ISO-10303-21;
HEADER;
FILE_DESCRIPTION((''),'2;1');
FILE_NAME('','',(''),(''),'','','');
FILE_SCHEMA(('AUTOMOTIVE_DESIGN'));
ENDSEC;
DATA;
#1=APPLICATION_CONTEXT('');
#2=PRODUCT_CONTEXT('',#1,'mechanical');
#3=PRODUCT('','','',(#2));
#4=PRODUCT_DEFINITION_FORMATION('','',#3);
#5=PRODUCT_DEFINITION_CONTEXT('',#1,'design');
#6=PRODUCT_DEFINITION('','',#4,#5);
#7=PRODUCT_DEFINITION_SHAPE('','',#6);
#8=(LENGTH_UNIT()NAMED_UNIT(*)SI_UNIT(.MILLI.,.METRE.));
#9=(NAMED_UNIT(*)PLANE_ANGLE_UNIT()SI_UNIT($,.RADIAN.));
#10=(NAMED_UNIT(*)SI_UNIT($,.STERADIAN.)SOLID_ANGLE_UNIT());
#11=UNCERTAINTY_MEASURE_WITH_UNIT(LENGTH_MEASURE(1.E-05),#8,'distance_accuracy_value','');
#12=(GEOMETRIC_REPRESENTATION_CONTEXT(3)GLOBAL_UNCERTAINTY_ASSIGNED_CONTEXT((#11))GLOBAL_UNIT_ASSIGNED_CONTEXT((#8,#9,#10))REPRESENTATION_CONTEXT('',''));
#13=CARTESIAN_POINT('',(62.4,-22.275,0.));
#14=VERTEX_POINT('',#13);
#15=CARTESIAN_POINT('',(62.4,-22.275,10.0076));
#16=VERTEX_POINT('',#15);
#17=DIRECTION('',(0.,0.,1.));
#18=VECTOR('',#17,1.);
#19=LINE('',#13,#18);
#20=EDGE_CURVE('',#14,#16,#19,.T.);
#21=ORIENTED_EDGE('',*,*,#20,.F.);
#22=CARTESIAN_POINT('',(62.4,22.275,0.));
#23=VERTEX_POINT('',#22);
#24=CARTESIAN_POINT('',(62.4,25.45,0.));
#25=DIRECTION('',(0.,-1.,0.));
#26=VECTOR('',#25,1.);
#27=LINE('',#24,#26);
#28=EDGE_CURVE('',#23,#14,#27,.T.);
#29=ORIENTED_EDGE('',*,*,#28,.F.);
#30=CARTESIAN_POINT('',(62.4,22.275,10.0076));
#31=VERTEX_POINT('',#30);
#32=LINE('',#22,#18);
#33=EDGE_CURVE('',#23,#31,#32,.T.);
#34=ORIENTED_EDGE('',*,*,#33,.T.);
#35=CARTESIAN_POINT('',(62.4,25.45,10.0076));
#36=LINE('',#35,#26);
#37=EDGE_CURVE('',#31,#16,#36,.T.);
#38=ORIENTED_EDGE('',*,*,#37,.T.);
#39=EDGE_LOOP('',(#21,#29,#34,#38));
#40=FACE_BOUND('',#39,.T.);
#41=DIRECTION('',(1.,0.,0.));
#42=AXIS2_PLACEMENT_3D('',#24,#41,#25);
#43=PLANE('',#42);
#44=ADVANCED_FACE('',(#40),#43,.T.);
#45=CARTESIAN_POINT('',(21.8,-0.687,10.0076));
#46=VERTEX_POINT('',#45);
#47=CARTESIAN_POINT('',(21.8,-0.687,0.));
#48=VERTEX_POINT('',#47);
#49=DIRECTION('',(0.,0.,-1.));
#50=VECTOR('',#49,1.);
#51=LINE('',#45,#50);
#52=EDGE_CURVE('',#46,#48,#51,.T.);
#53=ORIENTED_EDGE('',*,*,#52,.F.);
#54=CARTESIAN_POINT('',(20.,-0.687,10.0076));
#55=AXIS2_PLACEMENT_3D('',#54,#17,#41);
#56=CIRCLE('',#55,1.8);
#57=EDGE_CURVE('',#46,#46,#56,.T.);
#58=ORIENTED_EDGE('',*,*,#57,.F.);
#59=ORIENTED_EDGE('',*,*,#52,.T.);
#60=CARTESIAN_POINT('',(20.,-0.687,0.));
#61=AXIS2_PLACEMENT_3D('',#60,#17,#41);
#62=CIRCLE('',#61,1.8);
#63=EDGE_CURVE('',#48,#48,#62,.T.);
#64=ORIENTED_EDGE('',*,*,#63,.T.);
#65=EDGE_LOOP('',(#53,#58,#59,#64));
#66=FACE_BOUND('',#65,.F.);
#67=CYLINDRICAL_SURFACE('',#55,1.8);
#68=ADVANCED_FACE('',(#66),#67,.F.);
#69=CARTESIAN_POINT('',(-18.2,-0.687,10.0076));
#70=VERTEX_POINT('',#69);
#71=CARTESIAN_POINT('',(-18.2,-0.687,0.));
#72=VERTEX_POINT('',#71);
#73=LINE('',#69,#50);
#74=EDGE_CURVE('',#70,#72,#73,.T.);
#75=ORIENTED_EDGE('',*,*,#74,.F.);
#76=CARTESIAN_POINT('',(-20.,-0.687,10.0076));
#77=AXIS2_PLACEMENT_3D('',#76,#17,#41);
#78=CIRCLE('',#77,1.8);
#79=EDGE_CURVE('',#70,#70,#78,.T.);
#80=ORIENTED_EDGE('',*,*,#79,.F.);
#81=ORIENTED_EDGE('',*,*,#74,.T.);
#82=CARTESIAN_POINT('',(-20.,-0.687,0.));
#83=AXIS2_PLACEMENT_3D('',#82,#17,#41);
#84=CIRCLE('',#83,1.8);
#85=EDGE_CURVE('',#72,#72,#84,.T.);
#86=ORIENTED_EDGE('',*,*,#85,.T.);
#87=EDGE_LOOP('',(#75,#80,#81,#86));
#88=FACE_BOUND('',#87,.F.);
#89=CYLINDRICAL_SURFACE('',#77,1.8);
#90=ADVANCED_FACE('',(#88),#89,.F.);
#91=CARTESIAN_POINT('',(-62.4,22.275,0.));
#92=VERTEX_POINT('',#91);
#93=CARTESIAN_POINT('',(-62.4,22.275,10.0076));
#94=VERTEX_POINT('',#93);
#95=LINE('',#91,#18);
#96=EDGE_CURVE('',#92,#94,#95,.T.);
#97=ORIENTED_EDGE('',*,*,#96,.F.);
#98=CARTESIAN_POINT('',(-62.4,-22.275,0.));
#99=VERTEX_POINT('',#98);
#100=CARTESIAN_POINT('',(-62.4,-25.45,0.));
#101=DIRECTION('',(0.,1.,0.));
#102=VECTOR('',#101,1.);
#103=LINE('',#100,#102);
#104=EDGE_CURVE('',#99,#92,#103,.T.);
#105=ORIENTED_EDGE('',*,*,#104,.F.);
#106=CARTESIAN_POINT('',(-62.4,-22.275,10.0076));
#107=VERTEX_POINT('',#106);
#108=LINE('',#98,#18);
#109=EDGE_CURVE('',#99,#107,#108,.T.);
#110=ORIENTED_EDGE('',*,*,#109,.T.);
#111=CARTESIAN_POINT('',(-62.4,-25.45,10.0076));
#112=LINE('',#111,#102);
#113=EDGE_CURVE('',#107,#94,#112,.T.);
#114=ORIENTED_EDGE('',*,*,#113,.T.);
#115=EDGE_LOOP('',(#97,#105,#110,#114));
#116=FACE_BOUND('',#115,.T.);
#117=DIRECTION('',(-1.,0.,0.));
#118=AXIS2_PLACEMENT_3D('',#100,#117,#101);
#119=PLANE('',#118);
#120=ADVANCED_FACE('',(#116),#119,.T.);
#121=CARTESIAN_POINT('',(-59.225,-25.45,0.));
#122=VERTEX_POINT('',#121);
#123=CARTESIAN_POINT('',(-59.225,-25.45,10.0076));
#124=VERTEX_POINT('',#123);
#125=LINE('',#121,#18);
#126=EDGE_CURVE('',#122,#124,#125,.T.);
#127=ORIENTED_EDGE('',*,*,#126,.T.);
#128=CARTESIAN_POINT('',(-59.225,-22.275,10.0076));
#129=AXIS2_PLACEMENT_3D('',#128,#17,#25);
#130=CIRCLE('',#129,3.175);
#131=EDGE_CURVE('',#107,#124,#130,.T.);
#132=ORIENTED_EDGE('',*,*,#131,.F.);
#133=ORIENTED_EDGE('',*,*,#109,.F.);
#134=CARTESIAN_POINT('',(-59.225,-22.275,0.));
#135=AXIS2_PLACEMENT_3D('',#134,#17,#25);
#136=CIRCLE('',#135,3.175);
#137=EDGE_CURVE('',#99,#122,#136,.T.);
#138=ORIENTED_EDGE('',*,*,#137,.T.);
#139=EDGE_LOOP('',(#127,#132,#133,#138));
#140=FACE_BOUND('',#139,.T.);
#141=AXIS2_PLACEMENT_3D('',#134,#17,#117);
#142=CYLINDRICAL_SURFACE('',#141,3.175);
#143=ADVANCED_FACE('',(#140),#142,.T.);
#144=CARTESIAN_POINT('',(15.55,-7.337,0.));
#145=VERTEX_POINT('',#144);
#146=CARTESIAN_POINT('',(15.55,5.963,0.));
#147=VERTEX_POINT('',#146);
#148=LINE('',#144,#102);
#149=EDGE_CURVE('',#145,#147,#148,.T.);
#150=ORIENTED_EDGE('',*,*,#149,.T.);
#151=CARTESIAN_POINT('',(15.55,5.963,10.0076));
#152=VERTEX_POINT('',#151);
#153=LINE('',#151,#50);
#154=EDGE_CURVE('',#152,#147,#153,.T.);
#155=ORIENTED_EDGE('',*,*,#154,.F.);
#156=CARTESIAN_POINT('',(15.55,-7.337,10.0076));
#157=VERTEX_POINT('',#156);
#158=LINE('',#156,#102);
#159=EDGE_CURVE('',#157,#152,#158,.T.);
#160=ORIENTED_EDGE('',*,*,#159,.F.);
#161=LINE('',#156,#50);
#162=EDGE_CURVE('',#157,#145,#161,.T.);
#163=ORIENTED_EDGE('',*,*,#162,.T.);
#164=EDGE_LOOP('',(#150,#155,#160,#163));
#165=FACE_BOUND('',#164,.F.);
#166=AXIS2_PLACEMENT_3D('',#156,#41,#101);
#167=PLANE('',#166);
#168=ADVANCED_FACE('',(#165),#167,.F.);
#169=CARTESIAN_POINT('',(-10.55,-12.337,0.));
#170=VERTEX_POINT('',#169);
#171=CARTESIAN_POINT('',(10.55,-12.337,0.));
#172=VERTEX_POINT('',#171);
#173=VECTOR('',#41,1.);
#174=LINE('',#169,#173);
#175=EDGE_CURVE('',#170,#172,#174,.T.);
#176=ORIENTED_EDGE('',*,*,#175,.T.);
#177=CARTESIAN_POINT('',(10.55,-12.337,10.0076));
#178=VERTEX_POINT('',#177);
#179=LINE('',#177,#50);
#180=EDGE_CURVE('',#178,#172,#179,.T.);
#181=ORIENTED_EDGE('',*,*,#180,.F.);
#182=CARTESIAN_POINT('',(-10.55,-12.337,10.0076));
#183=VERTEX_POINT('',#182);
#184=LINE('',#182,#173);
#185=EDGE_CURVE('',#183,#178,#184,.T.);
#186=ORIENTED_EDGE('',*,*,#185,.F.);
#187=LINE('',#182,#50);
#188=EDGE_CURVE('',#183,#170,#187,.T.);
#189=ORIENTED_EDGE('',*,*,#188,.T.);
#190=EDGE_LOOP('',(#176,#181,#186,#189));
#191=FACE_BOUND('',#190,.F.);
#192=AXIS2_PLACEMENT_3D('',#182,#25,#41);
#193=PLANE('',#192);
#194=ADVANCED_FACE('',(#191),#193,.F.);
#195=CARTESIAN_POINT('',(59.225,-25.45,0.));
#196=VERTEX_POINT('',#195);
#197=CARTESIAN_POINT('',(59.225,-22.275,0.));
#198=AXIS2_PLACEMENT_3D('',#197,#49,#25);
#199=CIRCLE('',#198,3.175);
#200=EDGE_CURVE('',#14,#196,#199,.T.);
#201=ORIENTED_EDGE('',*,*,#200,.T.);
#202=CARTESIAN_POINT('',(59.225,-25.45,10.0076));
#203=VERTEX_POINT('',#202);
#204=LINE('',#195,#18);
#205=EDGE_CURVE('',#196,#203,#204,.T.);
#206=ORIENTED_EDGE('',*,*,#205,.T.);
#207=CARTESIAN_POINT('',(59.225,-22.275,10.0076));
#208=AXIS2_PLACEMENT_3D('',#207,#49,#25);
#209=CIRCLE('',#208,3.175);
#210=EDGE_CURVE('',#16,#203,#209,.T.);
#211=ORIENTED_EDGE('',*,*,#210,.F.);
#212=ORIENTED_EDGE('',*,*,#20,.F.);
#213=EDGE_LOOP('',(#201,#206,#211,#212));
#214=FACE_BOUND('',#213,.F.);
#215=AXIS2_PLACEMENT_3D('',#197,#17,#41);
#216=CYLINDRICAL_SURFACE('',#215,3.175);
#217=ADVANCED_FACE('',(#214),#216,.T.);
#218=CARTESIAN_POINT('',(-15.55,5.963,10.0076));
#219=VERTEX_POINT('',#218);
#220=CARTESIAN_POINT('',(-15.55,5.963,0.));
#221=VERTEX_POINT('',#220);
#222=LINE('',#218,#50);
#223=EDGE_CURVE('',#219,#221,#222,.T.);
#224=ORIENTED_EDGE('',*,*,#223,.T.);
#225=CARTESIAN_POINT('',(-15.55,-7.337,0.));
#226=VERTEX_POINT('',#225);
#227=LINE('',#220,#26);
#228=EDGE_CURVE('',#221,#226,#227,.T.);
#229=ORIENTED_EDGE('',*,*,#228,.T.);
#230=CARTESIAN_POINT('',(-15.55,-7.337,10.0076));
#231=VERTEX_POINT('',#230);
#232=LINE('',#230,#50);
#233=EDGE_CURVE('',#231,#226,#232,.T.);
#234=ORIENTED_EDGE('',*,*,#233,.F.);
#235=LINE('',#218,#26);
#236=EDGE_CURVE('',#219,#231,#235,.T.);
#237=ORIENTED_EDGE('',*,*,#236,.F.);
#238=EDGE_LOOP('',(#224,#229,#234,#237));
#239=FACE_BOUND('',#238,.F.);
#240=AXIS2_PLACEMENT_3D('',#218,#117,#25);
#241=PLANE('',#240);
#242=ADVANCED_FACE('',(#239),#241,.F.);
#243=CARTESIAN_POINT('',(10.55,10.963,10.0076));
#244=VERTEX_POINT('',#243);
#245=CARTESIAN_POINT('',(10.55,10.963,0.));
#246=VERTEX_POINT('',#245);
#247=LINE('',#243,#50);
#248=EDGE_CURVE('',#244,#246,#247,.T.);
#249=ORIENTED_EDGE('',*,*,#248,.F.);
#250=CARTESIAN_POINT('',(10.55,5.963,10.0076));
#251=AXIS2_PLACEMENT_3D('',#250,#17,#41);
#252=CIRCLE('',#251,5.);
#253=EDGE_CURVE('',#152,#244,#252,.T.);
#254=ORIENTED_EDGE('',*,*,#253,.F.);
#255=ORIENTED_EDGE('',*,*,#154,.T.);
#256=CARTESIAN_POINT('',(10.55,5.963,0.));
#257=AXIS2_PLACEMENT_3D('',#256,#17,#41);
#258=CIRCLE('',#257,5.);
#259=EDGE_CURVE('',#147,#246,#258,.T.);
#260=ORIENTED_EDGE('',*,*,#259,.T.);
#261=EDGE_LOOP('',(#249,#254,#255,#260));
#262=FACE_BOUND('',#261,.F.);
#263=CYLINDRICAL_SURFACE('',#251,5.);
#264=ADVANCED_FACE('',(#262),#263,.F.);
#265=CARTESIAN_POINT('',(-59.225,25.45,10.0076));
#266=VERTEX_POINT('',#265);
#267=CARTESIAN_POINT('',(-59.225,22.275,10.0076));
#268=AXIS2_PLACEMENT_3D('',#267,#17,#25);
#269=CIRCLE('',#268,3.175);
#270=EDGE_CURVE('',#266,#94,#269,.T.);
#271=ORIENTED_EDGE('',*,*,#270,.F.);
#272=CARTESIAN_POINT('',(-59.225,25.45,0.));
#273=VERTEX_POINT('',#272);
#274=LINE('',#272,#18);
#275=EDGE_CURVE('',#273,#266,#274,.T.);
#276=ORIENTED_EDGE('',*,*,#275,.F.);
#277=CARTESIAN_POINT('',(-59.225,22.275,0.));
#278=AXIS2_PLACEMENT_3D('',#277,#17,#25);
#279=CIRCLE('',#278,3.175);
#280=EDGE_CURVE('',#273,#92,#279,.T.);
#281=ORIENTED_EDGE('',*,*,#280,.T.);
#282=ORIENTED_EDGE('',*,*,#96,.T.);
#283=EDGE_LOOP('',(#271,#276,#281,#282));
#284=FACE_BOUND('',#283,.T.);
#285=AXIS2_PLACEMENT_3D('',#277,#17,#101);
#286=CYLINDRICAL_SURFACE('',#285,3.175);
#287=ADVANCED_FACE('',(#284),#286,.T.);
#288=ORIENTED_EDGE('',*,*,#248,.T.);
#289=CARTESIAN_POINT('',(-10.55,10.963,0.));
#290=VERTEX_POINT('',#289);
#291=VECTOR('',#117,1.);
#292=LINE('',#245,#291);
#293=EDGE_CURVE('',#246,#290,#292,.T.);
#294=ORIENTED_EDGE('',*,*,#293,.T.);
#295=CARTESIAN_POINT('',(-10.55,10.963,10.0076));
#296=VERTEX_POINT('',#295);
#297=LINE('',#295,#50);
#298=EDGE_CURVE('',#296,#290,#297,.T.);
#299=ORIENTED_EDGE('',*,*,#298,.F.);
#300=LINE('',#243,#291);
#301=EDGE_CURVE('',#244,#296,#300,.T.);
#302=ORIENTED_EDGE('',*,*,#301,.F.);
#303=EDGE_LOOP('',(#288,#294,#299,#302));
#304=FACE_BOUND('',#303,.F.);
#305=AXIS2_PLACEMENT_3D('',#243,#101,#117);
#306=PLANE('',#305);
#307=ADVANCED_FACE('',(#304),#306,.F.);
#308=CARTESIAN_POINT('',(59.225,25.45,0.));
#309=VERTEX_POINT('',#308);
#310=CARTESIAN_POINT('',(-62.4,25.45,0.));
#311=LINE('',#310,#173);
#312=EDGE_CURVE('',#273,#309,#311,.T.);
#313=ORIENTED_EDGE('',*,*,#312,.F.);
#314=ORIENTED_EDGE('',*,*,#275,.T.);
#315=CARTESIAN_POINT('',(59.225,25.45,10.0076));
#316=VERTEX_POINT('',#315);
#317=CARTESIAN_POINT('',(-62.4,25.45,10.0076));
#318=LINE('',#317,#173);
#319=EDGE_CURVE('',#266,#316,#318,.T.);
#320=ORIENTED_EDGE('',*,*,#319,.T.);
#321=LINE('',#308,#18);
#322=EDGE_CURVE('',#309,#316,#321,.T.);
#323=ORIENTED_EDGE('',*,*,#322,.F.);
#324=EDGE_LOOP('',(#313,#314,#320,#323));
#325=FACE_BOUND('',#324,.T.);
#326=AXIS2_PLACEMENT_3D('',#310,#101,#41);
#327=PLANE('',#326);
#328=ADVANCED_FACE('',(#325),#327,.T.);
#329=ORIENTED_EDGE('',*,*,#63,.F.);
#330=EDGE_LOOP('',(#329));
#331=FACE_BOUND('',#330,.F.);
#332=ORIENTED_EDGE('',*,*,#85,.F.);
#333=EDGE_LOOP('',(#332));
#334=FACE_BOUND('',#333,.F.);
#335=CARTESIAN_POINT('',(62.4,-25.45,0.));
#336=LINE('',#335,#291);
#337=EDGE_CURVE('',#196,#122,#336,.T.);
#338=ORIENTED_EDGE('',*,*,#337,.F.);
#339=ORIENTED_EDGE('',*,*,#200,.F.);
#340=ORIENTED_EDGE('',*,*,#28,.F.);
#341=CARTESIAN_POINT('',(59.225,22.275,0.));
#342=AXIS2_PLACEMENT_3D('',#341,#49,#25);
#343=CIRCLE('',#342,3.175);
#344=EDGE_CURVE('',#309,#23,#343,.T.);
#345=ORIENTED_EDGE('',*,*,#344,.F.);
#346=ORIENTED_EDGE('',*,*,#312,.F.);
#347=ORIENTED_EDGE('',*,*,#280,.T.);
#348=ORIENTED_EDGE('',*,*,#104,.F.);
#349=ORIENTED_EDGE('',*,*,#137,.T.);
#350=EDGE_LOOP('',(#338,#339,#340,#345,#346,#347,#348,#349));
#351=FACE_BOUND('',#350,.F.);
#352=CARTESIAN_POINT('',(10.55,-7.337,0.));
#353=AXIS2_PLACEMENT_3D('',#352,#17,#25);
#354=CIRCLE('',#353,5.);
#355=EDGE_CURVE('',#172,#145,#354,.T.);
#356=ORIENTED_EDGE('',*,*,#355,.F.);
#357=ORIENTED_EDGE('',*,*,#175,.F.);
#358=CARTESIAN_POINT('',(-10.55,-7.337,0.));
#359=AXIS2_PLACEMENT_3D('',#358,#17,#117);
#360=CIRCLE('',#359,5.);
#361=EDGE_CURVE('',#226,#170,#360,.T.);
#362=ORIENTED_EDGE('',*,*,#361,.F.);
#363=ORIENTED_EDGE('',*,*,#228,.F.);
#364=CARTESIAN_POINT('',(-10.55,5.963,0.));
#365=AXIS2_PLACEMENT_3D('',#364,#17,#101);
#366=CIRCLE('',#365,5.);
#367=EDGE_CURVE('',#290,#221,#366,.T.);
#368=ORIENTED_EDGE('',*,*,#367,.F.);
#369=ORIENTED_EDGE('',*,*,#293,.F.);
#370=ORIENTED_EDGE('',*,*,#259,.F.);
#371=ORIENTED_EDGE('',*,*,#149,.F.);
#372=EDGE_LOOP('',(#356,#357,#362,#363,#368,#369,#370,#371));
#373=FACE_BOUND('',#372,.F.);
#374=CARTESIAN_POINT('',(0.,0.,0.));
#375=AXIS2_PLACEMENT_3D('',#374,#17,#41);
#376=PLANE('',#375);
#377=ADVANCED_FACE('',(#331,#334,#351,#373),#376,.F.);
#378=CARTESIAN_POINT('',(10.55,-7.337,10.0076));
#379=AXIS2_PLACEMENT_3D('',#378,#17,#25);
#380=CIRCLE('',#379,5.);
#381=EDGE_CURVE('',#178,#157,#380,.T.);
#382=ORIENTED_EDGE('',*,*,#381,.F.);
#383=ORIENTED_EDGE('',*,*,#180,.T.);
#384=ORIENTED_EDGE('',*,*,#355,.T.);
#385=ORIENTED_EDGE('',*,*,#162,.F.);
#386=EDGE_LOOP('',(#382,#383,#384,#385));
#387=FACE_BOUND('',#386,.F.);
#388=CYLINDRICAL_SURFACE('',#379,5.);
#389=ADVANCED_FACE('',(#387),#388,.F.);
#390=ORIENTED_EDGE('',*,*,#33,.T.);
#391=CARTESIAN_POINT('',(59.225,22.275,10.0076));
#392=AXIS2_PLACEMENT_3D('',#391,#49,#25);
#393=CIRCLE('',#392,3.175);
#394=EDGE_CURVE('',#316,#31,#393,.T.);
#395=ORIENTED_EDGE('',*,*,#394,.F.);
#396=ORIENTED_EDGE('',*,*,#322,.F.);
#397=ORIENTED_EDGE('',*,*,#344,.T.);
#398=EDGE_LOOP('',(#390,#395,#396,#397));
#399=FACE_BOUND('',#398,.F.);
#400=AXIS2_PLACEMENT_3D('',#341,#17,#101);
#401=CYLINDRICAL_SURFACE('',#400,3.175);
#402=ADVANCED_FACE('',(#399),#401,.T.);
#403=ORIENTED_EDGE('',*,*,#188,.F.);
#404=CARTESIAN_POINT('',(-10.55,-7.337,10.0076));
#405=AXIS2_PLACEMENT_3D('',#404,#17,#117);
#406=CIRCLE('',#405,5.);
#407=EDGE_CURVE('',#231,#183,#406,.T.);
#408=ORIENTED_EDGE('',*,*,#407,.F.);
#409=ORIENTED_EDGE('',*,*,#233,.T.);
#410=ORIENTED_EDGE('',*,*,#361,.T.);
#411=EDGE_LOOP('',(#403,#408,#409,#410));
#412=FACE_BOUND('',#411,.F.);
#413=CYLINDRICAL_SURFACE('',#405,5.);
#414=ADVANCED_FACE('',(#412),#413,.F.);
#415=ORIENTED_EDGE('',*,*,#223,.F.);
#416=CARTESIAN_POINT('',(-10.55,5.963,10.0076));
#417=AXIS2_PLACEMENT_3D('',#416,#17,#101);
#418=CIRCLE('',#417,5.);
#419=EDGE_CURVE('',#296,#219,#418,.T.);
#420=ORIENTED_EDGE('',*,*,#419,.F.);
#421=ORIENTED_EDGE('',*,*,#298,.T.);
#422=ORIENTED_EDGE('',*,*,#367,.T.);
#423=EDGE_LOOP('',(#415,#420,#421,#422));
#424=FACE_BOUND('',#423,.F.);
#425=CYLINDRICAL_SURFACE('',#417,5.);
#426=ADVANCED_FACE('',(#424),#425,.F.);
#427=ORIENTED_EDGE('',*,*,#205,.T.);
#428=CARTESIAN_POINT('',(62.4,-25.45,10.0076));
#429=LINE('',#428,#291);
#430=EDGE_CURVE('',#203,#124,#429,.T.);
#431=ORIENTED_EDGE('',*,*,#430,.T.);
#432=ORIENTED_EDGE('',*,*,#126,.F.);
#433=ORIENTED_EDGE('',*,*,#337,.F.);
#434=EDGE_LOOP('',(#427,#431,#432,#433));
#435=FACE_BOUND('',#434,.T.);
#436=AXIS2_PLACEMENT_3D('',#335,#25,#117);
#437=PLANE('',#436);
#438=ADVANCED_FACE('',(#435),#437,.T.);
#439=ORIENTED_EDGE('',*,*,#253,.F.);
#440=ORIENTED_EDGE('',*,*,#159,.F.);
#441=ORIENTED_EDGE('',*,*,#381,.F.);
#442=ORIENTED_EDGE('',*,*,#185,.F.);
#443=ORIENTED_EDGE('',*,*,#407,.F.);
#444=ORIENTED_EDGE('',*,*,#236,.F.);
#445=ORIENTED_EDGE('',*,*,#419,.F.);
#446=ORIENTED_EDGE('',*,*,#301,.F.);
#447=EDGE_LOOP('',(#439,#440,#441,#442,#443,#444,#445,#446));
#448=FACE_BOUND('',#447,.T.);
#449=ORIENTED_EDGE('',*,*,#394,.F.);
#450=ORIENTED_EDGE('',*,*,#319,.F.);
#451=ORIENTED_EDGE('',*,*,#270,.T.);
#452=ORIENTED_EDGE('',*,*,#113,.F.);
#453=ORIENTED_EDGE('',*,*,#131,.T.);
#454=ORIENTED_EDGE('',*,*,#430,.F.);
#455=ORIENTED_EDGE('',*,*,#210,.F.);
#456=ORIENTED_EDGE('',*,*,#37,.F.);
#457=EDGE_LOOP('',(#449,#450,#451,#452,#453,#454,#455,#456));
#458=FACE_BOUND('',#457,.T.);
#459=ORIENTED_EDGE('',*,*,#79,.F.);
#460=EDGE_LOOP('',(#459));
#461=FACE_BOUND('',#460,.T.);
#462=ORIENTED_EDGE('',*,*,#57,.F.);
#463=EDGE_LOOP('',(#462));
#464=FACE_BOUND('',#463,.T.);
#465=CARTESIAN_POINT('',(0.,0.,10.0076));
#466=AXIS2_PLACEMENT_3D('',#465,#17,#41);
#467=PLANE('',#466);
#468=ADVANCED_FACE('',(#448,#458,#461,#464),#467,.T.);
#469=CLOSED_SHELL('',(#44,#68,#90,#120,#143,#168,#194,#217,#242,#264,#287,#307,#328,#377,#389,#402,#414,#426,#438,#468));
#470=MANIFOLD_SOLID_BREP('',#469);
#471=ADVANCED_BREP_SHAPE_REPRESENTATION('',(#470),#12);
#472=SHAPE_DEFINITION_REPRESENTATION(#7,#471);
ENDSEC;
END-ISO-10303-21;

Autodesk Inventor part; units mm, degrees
ref_plane "YZ Plane" through (0, 0, 0) normal (1, 0, 0) x (0, 1, 0)
ref_plane "XZ Plane" through (0, 0, 0) normal (0, 1, 0) x (-1, 0, 0)
ref_plane "XY Plane" through (0, 0, 0) normal (0, 0, 1) x (1, 0, 0)
sketch "Sketch1" plane through (0, 0, 0) normal (0, 0, 1) x (1, 0, 0)
  line L0 (-62.4, 25.45) -> (62.4, 25.45)
  line L1 (62.4, 25.45) -> (62.4, -25.45)
  line L2 (62.4, -25.45) -> (-62.4, -25.45)
  line L3 (-62.4, -25.45) -> (-62.4, 25.45)
  point P0 (0, 0)
  dimension "d0" = 124.8
  dimension "d1" = 50.9
  dimension "d2" = 62.4
  dimension "d3" = 25.45
extrude "Extrusion1" add sketch "Sketch1" along normal blind 10.0076
fillet "Fillet1" radius 3.175 1 edges at (-62.4, 25.45, 5.0038)
fillet "Fillet2" radius 3.175 3 edges at (62.4, 25.45, 5.0038) (62.4, -25.45, 5.0038) (-62.4, -25.45, 5.0038)
sketch "Sketch6" plane through (0, 0, 10.0076) normal (0, 0, 1) x (1, 0, 0)
  arc A0 (10.55, -12.337) -> (15.55, -7.337) centre (10.55, -7.337) ccw projected
  line L0 (15.55, -7.337) -> (15.55, 5.963) projected
  arc A1 (15.55, 5.963) -> (10.55, 10.963) centre (10.55, 5.963) ccw projected
  line L1 (10.55, 10.963) -> (-10.55, 10.963) projected
  arc A2 (-10.55, 10.963) -> (-15.55, 5.963) centre (-10.55, 5.963) ccw projected
  line L2 (-15.55, 5.963) -> (-15.55, -7.337) projected
  arc A3 (-15.55, -7.337) -> (-10.55, -12.337) centre (-10.55, -7.337) ccw projected
  line L3 (-10.55, -12.337) -> (10.55, -12.337) projected
  circle A4 centre (-20, -0.687) radius 1.8 projected
  circle A5 centre (20, -0.687) radius 1.8 projected
  point P0 (0, 0)
extrude "Extrusion7" cut sketch "Sketch6" against normal up to surface (10.0076 mm away)
equation "\"d2\" = 0.5 * d0"
equation "\"d3\" = 0.5 * d1"
properties part number "front cover"
